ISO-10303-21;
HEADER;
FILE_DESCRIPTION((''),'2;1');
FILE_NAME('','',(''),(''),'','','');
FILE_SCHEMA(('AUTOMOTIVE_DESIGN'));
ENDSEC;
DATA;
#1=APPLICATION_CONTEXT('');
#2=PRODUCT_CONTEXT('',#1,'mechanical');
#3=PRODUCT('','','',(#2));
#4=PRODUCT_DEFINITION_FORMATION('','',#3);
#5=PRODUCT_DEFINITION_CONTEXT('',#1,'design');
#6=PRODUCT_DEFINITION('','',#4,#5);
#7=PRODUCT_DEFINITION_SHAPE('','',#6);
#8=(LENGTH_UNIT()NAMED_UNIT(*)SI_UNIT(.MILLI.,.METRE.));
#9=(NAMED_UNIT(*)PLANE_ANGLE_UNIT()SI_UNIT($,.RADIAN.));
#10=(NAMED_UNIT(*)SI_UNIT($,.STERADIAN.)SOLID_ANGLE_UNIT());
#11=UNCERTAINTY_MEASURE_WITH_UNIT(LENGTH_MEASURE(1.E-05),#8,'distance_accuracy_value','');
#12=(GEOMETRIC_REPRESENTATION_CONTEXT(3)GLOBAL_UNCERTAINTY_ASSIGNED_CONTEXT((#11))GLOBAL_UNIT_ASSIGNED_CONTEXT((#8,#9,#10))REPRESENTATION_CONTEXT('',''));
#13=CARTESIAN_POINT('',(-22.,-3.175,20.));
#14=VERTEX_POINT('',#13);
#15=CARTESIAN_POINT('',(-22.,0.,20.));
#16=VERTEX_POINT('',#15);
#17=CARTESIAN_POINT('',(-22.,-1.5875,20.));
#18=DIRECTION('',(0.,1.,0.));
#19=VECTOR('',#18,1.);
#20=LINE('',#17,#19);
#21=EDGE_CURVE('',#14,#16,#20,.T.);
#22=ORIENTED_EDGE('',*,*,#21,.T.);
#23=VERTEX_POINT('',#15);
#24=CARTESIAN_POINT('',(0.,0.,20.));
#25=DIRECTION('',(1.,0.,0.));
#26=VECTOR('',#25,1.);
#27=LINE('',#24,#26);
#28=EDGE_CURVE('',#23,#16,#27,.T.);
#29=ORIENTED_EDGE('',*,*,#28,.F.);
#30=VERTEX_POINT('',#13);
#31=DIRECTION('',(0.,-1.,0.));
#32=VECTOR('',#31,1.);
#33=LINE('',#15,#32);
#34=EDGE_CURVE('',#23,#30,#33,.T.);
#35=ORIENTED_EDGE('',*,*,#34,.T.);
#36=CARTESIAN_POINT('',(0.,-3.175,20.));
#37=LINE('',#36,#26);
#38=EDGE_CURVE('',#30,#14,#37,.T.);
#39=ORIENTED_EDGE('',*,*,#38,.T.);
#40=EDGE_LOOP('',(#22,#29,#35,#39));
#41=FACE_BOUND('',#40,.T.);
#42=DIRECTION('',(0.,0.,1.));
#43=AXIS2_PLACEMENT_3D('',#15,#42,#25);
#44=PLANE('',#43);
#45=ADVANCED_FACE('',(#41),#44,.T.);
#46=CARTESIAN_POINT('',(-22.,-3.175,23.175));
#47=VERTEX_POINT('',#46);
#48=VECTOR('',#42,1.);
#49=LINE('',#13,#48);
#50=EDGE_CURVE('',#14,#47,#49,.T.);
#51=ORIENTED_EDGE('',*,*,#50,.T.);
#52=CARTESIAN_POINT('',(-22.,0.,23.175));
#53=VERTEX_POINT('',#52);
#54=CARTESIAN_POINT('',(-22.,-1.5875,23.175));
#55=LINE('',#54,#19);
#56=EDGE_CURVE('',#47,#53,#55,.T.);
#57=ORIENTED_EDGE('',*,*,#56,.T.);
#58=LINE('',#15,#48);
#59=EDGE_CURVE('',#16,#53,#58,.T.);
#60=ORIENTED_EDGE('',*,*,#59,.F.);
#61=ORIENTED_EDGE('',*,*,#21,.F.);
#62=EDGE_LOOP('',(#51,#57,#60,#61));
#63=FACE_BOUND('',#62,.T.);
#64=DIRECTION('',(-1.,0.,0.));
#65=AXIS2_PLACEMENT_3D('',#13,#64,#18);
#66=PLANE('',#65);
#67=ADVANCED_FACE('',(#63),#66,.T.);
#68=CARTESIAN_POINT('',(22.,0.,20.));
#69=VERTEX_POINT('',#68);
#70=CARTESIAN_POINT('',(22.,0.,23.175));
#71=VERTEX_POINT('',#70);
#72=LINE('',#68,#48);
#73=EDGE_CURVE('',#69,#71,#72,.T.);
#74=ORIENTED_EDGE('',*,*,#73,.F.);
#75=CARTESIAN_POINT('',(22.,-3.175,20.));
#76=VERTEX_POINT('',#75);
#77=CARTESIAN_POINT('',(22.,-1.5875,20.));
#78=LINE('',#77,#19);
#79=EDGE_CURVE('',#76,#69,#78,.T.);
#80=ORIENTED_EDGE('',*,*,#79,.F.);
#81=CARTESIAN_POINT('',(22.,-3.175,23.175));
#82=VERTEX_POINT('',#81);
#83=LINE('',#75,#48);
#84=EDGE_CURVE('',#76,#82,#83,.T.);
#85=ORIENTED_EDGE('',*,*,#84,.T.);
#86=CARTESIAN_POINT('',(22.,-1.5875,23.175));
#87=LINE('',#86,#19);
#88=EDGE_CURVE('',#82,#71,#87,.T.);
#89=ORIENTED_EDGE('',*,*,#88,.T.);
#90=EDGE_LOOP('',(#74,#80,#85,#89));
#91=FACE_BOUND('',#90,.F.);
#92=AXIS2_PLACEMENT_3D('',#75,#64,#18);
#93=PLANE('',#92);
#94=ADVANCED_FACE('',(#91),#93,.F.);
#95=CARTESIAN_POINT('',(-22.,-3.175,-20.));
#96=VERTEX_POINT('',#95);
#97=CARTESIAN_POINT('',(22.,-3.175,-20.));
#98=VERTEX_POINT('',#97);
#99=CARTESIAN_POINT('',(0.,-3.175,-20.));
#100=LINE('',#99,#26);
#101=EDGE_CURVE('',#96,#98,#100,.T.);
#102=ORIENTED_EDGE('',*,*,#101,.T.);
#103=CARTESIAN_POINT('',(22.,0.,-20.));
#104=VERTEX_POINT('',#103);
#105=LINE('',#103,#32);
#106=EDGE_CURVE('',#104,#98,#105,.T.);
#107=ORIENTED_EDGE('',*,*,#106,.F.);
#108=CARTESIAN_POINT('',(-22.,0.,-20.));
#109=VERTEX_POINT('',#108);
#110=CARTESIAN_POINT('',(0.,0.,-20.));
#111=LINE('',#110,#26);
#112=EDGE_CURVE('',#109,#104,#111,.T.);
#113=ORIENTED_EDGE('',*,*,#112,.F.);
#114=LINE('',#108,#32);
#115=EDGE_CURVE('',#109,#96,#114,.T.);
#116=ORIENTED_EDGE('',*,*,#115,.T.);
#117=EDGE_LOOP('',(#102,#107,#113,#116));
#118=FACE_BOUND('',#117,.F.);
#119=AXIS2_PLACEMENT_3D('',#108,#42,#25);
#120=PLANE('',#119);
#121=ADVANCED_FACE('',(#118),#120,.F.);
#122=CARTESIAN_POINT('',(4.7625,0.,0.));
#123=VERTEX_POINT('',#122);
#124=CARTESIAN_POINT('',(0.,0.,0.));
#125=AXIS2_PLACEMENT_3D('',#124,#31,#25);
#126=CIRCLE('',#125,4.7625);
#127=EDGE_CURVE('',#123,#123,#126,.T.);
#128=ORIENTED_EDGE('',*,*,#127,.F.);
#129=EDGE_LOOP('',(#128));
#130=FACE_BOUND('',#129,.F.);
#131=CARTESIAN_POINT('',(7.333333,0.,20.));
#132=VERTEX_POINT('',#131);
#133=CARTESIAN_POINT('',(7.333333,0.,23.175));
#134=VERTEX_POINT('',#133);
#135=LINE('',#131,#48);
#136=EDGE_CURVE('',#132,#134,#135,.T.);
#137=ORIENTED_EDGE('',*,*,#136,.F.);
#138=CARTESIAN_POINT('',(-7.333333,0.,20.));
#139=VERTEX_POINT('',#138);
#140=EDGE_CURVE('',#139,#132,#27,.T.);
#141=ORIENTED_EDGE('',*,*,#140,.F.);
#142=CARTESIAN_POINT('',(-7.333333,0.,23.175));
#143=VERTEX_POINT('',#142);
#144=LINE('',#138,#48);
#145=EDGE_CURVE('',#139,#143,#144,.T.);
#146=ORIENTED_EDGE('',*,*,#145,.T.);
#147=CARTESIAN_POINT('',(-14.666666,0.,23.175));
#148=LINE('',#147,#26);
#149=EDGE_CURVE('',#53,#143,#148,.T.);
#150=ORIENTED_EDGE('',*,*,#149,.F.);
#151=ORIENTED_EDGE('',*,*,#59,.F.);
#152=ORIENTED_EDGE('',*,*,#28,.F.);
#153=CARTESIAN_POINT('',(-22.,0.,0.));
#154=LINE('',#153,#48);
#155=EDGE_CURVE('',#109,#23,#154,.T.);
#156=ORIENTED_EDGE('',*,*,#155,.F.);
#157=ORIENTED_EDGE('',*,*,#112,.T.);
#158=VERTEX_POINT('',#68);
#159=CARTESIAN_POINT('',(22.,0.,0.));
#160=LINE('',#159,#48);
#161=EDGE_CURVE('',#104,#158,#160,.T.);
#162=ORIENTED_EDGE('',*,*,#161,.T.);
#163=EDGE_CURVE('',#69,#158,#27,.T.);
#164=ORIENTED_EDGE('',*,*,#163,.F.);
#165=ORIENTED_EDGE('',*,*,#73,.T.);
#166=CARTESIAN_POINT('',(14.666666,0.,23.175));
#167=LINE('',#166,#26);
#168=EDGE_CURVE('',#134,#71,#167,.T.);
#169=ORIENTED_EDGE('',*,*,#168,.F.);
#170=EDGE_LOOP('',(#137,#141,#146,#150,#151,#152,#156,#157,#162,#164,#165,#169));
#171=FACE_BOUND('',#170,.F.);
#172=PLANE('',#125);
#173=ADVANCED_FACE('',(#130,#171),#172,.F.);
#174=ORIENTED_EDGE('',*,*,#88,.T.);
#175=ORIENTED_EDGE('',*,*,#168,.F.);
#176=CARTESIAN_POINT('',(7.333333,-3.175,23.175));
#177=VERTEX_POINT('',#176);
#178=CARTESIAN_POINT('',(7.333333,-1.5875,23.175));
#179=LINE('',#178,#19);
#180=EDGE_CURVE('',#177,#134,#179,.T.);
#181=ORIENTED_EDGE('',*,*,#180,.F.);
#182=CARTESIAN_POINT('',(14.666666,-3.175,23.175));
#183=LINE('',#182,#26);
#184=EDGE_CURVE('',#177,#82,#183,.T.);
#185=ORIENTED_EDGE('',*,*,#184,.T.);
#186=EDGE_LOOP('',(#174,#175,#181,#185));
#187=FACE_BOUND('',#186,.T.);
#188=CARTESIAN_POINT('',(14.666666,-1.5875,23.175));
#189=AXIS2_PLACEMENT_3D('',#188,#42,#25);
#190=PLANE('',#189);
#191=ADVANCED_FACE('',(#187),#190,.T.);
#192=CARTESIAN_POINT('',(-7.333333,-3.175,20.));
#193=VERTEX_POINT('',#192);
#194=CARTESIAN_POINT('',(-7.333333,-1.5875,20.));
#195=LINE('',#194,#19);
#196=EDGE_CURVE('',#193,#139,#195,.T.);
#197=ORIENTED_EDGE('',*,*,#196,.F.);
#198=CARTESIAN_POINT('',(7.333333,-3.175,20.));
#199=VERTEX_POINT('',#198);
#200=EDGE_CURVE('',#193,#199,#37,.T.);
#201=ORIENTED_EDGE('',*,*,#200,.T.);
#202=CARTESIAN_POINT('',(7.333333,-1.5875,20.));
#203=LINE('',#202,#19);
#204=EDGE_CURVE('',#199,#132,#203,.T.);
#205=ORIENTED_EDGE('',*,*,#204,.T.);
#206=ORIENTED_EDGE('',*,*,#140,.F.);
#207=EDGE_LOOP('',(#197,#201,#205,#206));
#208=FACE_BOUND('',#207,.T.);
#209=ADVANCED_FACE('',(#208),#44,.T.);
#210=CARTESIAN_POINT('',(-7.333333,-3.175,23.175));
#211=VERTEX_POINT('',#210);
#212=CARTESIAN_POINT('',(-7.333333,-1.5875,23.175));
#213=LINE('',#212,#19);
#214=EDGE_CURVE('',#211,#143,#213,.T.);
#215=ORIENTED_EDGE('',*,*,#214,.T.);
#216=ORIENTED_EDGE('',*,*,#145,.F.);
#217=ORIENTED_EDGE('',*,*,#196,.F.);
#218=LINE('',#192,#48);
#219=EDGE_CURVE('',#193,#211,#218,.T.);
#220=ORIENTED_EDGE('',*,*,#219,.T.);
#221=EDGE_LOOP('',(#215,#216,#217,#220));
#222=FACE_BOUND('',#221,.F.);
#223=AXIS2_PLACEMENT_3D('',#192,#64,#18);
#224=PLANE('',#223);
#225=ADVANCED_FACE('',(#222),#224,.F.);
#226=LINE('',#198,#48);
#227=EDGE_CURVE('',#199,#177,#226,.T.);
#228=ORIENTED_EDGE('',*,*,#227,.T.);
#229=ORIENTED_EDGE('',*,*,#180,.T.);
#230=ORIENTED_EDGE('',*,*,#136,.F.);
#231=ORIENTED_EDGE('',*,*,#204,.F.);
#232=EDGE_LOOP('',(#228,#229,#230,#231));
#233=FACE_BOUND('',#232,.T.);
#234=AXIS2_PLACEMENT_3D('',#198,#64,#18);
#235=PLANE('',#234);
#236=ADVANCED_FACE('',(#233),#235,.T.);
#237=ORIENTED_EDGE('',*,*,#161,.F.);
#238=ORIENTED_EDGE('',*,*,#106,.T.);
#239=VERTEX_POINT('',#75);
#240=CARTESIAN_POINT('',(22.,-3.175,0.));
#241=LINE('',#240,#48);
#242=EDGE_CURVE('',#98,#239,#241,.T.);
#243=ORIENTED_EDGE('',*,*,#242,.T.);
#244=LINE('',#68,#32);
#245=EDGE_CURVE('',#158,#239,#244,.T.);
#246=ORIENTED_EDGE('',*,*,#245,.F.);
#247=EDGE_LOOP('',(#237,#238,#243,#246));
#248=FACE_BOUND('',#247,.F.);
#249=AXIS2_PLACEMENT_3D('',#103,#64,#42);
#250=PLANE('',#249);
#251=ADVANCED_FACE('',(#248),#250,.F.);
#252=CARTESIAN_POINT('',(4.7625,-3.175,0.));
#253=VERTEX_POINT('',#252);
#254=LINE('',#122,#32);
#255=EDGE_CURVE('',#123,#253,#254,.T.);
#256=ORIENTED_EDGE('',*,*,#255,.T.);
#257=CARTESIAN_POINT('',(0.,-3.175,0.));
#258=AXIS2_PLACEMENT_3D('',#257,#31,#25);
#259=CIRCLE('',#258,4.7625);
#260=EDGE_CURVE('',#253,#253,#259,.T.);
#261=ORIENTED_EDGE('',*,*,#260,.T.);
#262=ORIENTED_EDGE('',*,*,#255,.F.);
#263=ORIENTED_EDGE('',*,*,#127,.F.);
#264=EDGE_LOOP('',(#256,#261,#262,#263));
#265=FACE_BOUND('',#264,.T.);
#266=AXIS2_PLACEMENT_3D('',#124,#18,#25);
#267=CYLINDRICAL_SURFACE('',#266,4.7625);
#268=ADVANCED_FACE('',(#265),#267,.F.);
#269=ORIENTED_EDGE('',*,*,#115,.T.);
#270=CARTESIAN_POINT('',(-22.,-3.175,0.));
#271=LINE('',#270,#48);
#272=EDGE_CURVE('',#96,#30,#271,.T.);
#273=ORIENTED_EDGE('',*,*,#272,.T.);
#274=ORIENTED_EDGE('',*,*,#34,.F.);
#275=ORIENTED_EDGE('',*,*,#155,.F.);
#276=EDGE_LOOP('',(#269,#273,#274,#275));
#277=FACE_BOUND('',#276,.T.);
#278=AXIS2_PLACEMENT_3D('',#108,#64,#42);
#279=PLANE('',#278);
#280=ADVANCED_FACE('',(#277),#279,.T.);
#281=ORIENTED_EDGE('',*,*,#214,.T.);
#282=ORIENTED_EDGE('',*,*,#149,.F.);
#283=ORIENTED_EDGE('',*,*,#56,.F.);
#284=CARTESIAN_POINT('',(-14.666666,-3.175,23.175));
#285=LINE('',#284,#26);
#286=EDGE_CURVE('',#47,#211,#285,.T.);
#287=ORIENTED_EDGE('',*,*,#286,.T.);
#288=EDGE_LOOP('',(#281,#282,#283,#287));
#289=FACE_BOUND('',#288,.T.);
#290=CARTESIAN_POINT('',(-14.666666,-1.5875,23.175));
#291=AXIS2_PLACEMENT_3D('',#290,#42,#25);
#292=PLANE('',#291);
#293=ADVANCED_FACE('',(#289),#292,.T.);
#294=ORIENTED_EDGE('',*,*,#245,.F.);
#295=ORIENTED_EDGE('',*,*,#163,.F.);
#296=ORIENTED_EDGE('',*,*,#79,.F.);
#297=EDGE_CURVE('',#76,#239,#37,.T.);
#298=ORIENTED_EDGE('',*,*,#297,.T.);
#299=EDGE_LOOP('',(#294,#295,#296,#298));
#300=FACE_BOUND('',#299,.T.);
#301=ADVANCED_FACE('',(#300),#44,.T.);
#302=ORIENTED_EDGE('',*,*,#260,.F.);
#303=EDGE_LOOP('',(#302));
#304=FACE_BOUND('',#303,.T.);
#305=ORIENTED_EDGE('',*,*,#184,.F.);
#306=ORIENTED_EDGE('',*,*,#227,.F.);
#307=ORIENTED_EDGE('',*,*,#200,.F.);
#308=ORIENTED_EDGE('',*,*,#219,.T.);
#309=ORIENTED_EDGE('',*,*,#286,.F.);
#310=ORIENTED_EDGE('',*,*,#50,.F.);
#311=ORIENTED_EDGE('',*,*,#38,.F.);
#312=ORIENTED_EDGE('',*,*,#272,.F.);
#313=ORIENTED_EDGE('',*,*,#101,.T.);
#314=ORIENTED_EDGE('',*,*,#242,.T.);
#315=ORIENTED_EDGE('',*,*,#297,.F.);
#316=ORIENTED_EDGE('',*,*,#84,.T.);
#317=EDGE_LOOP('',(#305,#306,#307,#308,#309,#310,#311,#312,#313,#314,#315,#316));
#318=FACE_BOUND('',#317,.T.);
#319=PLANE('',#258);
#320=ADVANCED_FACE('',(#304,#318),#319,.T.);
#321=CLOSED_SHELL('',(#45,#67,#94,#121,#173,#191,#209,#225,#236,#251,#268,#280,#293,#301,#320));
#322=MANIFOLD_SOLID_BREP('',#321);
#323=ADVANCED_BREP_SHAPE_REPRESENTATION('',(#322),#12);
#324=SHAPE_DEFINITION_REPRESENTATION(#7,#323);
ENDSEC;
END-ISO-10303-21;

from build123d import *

# Parameters (mm, degrees)
F0_W     = 44
F0_H     = 40
F0_R     = 4.7625
F1_DEPTH = 3.175
F2_W     = 14.666667
F2_H     = 3.175
F3_DEPTH = 3.175


with BuildPart() as f1:
    # F0 (on Front) → F1 (new body)
    with BuildSketch(Plane.XZ):
        Rectangle(F0_W, F0_H)
        Circle(F0_R, mode=Mode.SUBTRACT)
    extrude(amount=F1_DEPTH)

    # F2 (on face) → F3 (join)
    with BuildSketch(Plane.XY.offset(20)):
        with Locations((-14.666666, -1.5875)):
            Rectangle(F2_W, F2_H)
        with Locations((14.666666, -1.5875)):
            Rectangle(F2_W, F2_H)
    extrude(amount=F3_DEPTH)


solid = f1.part
